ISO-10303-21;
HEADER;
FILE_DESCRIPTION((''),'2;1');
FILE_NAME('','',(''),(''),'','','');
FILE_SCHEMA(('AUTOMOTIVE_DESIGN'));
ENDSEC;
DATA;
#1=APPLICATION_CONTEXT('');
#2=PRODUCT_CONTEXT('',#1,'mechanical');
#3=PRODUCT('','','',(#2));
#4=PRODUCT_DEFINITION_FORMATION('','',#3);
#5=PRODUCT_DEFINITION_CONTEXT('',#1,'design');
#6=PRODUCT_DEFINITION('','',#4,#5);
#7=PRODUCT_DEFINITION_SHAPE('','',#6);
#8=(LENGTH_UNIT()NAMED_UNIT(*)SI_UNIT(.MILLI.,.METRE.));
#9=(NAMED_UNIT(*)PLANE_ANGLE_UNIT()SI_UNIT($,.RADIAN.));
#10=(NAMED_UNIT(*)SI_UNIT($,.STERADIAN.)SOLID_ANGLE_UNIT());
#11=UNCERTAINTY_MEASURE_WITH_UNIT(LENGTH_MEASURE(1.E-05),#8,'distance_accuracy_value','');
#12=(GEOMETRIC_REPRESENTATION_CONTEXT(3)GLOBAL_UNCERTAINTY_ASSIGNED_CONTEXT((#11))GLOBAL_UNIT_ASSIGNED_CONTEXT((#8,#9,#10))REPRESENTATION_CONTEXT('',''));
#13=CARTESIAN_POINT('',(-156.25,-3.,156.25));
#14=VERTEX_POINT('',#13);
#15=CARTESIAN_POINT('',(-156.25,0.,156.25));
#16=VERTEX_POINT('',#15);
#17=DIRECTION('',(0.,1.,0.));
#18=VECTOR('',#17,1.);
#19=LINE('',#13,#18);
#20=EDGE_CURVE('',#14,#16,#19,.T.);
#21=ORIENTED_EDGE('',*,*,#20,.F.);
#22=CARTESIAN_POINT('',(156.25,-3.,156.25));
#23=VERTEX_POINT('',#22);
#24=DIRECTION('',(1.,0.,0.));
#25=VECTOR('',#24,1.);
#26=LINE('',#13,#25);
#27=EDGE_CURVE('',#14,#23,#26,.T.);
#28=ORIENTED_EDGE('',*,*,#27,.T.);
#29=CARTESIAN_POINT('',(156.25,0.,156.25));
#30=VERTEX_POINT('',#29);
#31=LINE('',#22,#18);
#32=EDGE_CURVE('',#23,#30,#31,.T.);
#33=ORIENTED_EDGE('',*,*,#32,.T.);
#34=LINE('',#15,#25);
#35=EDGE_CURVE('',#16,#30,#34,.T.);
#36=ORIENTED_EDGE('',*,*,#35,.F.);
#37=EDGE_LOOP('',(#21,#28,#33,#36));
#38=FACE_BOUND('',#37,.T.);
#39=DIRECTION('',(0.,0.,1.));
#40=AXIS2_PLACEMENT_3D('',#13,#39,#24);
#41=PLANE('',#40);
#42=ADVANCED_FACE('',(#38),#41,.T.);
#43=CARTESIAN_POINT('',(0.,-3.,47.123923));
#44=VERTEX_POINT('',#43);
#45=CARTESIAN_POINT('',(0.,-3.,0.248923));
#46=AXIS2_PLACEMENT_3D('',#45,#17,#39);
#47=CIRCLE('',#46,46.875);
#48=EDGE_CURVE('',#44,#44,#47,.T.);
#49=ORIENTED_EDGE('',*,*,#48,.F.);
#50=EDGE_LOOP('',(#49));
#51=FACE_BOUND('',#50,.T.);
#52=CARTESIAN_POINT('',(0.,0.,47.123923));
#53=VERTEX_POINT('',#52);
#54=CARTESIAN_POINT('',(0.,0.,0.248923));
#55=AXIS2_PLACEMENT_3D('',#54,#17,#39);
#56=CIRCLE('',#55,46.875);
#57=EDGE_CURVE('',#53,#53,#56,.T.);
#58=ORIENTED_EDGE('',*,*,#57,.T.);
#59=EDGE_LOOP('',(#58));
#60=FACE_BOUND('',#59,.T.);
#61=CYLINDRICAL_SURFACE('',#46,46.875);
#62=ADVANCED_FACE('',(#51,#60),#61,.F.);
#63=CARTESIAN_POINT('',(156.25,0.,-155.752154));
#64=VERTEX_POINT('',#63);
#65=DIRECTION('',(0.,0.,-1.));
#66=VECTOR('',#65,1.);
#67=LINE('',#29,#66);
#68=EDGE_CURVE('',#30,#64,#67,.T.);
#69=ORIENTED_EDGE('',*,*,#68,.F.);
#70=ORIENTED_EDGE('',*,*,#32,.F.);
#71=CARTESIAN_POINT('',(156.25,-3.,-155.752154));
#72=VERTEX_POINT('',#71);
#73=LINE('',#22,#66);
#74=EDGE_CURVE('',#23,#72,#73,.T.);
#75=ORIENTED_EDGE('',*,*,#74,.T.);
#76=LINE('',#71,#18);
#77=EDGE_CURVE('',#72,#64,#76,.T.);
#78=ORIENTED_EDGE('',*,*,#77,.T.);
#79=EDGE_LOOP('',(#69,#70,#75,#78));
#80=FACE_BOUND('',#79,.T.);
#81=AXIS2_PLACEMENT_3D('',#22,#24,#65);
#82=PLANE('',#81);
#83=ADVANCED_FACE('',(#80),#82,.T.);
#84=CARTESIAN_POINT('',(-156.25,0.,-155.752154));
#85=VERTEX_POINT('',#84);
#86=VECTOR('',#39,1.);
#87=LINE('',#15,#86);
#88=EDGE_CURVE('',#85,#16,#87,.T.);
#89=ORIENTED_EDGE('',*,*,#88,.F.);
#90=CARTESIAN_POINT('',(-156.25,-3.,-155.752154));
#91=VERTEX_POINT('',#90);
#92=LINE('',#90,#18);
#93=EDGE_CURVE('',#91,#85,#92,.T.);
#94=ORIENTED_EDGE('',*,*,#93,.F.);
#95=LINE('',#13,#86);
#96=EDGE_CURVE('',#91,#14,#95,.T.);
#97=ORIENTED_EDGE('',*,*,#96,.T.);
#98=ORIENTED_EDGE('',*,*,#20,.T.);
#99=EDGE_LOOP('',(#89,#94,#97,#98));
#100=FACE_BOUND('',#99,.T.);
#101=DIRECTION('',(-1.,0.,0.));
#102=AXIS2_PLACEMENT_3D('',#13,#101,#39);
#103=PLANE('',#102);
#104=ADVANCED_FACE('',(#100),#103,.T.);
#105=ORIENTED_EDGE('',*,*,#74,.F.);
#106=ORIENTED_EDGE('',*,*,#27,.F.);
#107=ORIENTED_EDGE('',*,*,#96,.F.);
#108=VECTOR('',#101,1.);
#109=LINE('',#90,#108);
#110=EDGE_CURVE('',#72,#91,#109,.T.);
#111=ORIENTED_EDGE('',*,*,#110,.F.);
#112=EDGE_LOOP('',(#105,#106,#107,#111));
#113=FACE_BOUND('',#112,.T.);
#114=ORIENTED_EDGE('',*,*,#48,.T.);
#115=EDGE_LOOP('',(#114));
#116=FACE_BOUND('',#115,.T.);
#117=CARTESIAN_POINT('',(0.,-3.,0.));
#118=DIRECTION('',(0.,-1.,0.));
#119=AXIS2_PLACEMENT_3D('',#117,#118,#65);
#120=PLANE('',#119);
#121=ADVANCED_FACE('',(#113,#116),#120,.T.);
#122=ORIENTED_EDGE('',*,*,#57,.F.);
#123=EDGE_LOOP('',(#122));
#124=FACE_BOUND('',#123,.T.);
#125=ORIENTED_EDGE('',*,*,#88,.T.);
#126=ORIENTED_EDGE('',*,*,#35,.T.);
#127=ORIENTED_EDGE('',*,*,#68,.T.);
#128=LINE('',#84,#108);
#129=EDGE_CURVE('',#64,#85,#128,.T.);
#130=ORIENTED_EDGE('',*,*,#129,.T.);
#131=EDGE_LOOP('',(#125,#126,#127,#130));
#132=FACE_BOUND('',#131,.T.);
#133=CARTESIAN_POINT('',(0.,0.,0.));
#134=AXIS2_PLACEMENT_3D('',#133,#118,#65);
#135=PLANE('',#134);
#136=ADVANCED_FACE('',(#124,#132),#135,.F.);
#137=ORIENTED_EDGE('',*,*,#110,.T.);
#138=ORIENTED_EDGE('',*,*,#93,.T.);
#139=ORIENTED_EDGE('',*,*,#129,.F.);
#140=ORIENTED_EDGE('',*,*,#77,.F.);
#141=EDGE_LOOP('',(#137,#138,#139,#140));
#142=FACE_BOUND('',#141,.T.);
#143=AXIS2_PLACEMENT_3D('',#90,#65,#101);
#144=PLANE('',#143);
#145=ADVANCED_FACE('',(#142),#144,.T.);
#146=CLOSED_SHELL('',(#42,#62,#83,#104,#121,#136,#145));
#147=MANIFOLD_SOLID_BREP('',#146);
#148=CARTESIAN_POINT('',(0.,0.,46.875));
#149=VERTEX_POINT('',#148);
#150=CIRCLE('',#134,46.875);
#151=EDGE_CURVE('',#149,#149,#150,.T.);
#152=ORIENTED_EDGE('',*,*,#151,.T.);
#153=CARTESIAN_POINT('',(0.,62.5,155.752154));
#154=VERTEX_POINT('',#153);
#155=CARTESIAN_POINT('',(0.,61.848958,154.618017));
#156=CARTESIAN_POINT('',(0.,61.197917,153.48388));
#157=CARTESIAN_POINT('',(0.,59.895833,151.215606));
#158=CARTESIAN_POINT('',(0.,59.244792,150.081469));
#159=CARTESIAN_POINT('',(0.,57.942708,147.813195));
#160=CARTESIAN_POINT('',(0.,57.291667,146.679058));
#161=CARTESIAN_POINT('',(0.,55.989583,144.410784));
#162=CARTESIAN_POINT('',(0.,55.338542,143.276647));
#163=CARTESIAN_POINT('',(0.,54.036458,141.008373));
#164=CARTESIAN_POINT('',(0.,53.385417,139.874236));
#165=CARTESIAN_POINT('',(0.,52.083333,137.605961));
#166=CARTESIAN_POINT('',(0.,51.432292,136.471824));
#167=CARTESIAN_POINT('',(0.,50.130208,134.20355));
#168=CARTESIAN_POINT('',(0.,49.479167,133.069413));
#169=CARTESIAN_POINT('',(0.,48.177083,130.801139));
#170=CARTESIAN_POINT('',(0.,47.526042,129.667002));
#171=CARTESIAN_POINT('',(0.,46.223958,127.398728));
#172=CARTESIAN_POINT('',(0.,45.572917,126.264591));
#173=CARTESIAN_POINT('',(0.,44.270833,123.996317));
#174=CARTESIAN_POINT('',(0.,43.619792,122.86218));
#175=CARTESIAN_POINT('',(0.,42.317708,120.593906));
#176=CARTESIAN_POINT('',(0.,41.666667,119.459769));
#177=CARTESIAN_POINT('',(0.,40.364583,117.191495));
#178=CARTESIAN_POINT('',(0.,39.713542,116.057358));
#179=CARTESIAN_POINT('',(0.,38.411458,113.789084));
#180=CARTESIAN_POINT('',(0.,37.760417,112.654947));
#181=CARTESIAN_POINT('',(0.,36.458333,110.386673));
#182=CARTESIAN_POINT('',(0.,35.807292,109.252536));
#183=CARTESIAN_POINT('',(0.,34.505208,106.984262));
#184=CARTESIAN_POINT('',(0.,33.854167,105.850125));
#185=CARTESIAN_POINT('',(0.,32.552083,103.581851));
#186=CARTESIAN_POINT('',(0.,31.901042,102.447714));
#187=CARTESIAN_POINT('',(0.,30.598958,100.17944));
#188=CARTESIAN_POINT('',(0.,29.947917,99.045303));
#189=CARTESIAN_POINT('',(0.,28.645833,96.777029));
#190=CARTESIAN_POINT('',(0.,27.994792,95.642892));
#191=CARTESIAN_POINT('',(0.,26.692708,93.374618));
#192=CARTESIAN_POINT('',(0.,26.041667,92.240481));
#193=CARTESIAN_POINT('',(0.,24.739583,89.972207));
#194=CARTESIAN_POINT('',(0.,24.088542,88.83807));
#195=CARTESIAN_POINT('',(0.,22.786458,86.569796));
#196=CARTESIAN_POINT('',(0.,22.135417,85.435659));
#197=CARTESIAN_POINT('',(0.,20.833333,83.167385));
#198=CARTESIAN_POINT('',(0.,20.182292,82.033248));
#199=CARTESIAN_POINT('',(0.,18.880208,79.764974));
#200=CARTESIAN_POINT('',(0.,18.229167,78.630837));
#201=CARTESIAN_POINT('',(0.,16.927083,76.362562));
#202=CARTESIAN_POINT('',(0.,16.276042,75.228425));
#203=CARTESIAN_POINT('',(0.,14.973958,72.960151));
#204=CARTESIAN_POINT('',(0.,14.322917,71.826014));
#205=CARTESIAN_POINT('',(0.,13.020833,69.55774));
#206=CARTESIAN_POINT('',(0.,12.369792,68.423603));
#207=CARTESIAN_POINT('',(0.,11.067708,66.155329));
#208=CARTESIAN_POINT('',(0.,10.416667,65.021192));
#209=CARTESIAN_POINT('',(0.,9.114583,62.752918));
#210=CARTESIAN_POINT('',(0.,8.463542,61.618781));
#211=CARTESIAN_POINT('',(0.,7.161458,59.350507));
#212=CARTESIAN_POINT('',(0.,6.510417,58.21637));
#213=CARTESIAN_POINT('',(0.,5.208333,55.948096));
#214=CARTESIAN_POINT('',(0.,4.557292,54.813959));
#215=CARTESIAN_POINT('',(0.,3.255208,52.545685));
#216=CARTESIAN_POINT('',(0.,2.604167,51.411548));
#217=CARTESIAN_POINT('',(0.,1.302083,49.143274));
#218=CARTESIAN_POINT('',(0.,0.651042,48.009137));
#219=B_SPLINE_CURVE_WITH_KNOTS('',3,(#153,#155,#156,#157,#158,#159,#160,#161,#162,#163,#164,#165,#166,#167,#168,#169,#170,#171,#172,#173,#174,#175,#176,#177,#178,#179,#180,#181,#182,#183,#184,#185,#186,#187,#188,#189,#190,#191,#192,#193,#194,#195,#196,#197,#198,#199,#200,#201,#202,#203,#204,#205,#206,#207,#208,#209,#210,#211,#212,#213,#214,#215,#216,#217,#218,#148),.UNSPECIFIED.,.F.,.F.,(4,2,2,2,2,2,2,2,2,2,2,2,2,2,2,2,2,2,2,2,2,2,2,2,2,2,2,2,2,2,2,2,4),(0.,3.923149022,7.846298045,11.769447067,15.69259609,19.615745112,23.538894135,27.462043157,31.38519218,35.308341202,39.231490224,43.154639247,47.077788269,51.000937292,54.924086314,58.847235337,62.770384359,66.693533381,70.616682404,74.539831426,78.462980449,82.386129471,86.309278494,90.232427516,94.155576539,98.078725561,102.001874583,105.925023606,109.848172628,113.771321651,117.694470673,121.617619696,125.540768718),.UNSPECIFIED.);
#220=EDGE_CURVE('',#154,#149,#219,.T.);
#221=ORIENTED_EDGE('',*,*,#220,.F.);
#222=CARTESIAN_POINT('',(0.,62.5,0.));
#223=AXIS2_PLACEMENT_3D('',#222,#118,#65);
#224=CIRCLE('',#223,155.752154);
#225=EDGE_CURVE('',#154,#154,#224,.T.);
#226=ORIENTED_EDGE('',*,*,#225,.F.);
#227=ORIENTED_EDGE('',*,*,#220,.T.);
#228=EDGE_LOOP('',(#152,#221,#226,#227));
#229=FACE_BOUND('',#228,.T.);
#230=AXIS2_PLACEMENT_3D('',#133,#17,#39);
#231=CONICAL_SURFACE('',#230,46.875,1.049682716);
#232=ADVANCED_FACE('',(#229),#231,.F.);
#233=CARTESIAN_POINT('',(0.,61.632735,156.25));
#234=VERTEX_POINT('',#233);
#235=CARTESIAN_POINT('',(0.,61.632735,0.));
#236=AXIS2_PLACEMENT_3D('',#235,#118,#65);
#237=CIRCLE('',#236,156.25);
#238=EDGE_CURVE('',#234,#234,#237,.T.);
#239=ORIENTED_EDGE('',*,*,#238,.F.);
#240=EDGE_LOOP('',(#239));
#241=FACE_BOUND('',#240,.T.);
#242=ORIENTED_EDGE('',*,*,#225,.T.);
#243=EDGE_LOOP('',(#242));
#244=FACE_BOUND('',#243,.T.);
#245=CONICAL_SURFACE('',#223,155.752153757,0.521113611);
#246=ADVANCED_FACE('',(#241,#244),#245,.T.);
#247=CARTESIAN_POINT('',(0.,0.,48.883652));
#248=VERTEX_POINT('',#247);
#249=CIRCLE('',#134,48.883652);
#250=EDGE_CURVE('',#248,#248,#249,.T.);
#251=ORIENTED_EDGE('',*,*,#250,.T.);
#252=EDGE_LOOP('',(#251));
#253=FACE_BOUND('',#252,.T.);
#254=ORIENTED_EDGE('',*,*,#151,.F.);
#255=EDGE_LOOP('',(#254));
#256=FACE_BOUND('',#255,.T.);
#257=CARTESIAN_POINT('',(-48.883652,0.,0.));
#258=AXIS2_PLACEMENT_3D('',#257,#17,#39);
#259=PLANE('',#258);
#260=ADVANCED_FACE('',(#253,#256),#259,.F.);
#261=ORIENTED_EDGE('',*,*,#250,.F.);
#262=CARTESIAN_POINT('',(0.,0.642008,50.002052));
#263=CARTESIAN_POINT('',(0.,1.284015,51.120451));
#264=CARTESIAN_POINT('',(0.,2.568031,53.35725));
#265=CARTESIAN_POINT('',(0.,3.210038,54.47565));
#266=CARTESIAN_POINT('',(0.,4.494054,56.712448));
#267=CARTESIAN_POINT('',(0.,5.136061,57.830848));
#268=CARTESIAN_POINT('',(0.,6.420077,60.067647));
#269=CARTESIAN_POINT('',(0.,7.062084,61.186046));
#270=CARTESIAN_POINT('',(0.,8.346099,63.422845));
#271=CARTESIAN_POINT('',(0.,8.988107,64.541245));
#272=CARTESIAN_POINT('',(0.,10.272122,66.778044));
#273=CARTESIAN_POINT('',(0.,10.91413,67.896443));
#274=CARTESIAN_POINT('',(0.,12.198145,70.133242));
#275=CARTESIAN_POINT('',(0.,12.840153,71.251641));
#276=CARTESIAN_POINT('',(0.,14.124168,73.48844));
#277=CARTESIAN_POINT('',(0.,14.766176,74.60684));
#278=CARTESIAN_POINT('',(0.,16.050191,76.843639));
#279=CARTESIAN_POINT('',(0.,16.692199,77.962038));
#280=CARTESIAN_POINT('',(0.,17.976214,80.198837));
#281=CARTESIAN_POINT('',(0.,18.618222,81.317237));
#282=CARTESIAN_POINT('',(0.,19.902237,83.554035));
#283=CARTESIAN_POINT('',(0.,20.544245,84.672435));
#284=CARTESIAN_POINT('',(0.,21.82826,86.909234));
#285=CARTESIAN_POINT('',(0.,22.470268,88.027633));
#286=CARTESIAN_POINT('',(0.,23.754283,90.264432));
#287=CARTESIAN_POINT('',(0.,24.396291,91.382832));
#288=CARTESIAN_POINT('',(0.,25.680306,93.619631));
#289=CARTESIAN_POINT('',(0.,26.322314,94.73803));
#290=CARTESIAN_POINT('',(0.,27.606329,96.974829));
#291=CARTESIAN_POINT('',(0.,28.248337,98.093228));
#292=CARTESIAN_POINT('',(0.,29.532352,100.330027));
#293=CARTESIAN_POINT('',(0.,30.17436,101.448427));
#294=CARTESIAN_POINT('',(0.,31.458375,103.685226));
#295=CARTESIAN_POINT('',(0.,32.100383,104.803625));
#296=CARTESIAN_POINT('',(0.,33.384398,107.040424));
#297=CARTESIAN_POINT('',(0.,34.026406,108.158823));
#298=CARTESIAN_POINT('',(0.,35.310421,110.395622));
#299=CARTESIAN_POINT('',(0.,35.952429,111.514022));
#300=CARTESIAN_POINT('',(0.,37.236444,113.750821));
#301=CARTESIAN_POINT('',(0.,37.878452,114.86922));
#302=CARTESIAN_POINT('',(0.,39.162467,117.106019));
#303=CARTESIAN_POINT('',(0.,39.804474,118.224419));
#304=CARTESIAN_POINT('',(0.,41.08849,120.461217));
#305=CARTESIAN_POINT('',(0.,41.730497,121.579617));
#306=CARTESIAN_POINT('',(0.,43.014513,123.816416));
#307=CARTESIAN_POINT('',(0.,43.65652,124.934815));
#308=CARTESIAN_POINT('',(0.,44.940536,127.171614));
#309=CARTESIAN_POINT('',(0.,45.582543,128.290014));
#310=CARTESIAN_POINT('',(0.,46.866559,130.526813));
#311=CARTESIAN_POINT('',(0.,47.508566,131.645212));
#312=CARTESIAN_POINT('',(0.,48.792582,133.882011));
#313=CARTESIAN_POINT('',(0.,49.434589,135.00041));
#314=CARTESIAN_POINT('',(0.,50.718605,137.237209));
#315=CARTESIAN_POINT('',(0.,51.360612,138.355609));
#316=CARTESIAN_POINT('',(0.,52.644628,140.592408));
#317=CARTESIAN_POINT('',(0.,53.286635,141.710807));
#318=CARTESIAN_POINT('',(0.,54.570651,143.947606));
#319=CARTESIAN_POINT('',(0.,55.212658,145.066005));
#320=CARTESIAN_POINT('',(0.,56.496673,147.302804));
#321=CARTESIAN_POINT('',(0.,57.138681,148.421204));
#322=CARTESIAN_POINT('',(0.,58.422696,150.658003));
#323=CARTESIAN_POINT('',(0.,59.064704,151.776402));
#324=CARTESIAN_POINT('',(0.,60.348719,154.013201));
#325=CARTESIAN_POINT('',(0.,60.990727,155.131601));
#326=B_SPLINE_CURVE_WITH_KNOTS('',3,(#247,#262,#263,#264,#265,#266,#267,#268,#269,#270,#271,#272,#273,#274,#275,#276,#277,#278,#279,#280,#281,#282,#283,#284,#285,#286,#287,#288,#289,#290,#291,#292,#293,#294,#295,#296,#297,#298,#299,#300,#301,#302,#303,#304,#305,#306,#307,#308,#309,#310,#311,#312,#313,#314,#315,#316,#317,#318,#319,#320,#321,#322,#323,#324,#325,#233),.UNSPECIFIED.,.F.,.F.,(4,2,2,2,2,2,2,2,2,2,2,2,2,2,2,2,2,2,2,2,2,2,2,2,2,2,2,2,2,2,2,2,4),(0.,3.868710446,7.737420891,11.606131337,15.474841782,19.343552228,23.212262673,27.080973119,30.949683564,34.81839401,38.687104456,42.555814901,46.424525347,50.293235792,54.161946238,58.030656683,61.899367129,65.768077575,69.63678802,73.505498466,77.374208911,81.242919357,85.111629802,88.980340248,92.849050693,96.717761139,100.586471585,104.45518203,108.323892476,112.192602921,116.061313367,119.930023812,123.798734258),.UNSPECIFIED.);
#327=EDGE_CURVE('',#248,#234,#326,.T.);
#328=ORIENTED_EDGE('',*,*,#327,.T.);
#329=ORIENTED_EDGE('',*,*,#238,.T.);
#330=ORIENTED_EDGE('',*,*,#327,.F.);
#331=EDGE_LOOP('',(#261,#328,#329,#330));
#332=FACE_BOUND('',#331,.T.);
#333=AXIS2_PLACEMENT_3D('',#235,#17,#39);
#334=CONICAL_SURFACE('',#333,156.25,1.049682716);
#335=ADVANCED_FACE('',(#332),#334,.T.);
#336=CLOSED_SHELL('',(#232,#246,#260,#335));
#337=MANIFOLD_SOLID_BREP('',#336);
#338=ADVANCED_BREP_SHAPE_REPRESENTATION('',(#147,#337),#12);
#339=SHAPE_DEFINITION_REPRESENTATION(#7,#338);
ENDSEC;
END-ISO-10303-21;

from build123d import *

# Parameters (mm, degrees)
SKETCH2_W           = 312.5
SKETCH2_H           = 312.002153757
SKETCH2_R           = 46.875
BOSS_EXTRUDE1_DEPTH = 3


with BuildPart() as part:
    # Sketch1 → Revolve1 (revolve)
    with BuildSketch(Plane.XY, mode=Mode.PRIVATE) as revolve1_sk:
        Polygon((-48.883652299, 0), (-156.25, 61.63273469), (-155.752153757, 62.5), (-46.875, 0), align=None)
    revolve(revolve1_sk.sketch.rotate(Axis((0, 0, 0), (0, 1, 0)), 90), axis=Axis((0, 0, 0), (0, 1, 0)))


with BuildPart() as body_2:
    # Sketch2 → Boss-Extrude1 (new body)
    with BuildSketch(Plane(origin=(0, 0, 0), x_dir=(1, 0, 0), z_dir=(0, 1, 0))):
        with Locations((0, -0.248923121)):
            Rectangle(SKETCH2_W, SKETCH2_H)
        with Locations(Location((0, -0.248923121, 0), (0, 0, 270))):
            Circle(SKETCH2_R, mode=Mode.SUBTRACT)
    extrude(amount=-BOSS_EXTRUDE1_DEPTH)


solid = Compound([part.part, body_2.part])
